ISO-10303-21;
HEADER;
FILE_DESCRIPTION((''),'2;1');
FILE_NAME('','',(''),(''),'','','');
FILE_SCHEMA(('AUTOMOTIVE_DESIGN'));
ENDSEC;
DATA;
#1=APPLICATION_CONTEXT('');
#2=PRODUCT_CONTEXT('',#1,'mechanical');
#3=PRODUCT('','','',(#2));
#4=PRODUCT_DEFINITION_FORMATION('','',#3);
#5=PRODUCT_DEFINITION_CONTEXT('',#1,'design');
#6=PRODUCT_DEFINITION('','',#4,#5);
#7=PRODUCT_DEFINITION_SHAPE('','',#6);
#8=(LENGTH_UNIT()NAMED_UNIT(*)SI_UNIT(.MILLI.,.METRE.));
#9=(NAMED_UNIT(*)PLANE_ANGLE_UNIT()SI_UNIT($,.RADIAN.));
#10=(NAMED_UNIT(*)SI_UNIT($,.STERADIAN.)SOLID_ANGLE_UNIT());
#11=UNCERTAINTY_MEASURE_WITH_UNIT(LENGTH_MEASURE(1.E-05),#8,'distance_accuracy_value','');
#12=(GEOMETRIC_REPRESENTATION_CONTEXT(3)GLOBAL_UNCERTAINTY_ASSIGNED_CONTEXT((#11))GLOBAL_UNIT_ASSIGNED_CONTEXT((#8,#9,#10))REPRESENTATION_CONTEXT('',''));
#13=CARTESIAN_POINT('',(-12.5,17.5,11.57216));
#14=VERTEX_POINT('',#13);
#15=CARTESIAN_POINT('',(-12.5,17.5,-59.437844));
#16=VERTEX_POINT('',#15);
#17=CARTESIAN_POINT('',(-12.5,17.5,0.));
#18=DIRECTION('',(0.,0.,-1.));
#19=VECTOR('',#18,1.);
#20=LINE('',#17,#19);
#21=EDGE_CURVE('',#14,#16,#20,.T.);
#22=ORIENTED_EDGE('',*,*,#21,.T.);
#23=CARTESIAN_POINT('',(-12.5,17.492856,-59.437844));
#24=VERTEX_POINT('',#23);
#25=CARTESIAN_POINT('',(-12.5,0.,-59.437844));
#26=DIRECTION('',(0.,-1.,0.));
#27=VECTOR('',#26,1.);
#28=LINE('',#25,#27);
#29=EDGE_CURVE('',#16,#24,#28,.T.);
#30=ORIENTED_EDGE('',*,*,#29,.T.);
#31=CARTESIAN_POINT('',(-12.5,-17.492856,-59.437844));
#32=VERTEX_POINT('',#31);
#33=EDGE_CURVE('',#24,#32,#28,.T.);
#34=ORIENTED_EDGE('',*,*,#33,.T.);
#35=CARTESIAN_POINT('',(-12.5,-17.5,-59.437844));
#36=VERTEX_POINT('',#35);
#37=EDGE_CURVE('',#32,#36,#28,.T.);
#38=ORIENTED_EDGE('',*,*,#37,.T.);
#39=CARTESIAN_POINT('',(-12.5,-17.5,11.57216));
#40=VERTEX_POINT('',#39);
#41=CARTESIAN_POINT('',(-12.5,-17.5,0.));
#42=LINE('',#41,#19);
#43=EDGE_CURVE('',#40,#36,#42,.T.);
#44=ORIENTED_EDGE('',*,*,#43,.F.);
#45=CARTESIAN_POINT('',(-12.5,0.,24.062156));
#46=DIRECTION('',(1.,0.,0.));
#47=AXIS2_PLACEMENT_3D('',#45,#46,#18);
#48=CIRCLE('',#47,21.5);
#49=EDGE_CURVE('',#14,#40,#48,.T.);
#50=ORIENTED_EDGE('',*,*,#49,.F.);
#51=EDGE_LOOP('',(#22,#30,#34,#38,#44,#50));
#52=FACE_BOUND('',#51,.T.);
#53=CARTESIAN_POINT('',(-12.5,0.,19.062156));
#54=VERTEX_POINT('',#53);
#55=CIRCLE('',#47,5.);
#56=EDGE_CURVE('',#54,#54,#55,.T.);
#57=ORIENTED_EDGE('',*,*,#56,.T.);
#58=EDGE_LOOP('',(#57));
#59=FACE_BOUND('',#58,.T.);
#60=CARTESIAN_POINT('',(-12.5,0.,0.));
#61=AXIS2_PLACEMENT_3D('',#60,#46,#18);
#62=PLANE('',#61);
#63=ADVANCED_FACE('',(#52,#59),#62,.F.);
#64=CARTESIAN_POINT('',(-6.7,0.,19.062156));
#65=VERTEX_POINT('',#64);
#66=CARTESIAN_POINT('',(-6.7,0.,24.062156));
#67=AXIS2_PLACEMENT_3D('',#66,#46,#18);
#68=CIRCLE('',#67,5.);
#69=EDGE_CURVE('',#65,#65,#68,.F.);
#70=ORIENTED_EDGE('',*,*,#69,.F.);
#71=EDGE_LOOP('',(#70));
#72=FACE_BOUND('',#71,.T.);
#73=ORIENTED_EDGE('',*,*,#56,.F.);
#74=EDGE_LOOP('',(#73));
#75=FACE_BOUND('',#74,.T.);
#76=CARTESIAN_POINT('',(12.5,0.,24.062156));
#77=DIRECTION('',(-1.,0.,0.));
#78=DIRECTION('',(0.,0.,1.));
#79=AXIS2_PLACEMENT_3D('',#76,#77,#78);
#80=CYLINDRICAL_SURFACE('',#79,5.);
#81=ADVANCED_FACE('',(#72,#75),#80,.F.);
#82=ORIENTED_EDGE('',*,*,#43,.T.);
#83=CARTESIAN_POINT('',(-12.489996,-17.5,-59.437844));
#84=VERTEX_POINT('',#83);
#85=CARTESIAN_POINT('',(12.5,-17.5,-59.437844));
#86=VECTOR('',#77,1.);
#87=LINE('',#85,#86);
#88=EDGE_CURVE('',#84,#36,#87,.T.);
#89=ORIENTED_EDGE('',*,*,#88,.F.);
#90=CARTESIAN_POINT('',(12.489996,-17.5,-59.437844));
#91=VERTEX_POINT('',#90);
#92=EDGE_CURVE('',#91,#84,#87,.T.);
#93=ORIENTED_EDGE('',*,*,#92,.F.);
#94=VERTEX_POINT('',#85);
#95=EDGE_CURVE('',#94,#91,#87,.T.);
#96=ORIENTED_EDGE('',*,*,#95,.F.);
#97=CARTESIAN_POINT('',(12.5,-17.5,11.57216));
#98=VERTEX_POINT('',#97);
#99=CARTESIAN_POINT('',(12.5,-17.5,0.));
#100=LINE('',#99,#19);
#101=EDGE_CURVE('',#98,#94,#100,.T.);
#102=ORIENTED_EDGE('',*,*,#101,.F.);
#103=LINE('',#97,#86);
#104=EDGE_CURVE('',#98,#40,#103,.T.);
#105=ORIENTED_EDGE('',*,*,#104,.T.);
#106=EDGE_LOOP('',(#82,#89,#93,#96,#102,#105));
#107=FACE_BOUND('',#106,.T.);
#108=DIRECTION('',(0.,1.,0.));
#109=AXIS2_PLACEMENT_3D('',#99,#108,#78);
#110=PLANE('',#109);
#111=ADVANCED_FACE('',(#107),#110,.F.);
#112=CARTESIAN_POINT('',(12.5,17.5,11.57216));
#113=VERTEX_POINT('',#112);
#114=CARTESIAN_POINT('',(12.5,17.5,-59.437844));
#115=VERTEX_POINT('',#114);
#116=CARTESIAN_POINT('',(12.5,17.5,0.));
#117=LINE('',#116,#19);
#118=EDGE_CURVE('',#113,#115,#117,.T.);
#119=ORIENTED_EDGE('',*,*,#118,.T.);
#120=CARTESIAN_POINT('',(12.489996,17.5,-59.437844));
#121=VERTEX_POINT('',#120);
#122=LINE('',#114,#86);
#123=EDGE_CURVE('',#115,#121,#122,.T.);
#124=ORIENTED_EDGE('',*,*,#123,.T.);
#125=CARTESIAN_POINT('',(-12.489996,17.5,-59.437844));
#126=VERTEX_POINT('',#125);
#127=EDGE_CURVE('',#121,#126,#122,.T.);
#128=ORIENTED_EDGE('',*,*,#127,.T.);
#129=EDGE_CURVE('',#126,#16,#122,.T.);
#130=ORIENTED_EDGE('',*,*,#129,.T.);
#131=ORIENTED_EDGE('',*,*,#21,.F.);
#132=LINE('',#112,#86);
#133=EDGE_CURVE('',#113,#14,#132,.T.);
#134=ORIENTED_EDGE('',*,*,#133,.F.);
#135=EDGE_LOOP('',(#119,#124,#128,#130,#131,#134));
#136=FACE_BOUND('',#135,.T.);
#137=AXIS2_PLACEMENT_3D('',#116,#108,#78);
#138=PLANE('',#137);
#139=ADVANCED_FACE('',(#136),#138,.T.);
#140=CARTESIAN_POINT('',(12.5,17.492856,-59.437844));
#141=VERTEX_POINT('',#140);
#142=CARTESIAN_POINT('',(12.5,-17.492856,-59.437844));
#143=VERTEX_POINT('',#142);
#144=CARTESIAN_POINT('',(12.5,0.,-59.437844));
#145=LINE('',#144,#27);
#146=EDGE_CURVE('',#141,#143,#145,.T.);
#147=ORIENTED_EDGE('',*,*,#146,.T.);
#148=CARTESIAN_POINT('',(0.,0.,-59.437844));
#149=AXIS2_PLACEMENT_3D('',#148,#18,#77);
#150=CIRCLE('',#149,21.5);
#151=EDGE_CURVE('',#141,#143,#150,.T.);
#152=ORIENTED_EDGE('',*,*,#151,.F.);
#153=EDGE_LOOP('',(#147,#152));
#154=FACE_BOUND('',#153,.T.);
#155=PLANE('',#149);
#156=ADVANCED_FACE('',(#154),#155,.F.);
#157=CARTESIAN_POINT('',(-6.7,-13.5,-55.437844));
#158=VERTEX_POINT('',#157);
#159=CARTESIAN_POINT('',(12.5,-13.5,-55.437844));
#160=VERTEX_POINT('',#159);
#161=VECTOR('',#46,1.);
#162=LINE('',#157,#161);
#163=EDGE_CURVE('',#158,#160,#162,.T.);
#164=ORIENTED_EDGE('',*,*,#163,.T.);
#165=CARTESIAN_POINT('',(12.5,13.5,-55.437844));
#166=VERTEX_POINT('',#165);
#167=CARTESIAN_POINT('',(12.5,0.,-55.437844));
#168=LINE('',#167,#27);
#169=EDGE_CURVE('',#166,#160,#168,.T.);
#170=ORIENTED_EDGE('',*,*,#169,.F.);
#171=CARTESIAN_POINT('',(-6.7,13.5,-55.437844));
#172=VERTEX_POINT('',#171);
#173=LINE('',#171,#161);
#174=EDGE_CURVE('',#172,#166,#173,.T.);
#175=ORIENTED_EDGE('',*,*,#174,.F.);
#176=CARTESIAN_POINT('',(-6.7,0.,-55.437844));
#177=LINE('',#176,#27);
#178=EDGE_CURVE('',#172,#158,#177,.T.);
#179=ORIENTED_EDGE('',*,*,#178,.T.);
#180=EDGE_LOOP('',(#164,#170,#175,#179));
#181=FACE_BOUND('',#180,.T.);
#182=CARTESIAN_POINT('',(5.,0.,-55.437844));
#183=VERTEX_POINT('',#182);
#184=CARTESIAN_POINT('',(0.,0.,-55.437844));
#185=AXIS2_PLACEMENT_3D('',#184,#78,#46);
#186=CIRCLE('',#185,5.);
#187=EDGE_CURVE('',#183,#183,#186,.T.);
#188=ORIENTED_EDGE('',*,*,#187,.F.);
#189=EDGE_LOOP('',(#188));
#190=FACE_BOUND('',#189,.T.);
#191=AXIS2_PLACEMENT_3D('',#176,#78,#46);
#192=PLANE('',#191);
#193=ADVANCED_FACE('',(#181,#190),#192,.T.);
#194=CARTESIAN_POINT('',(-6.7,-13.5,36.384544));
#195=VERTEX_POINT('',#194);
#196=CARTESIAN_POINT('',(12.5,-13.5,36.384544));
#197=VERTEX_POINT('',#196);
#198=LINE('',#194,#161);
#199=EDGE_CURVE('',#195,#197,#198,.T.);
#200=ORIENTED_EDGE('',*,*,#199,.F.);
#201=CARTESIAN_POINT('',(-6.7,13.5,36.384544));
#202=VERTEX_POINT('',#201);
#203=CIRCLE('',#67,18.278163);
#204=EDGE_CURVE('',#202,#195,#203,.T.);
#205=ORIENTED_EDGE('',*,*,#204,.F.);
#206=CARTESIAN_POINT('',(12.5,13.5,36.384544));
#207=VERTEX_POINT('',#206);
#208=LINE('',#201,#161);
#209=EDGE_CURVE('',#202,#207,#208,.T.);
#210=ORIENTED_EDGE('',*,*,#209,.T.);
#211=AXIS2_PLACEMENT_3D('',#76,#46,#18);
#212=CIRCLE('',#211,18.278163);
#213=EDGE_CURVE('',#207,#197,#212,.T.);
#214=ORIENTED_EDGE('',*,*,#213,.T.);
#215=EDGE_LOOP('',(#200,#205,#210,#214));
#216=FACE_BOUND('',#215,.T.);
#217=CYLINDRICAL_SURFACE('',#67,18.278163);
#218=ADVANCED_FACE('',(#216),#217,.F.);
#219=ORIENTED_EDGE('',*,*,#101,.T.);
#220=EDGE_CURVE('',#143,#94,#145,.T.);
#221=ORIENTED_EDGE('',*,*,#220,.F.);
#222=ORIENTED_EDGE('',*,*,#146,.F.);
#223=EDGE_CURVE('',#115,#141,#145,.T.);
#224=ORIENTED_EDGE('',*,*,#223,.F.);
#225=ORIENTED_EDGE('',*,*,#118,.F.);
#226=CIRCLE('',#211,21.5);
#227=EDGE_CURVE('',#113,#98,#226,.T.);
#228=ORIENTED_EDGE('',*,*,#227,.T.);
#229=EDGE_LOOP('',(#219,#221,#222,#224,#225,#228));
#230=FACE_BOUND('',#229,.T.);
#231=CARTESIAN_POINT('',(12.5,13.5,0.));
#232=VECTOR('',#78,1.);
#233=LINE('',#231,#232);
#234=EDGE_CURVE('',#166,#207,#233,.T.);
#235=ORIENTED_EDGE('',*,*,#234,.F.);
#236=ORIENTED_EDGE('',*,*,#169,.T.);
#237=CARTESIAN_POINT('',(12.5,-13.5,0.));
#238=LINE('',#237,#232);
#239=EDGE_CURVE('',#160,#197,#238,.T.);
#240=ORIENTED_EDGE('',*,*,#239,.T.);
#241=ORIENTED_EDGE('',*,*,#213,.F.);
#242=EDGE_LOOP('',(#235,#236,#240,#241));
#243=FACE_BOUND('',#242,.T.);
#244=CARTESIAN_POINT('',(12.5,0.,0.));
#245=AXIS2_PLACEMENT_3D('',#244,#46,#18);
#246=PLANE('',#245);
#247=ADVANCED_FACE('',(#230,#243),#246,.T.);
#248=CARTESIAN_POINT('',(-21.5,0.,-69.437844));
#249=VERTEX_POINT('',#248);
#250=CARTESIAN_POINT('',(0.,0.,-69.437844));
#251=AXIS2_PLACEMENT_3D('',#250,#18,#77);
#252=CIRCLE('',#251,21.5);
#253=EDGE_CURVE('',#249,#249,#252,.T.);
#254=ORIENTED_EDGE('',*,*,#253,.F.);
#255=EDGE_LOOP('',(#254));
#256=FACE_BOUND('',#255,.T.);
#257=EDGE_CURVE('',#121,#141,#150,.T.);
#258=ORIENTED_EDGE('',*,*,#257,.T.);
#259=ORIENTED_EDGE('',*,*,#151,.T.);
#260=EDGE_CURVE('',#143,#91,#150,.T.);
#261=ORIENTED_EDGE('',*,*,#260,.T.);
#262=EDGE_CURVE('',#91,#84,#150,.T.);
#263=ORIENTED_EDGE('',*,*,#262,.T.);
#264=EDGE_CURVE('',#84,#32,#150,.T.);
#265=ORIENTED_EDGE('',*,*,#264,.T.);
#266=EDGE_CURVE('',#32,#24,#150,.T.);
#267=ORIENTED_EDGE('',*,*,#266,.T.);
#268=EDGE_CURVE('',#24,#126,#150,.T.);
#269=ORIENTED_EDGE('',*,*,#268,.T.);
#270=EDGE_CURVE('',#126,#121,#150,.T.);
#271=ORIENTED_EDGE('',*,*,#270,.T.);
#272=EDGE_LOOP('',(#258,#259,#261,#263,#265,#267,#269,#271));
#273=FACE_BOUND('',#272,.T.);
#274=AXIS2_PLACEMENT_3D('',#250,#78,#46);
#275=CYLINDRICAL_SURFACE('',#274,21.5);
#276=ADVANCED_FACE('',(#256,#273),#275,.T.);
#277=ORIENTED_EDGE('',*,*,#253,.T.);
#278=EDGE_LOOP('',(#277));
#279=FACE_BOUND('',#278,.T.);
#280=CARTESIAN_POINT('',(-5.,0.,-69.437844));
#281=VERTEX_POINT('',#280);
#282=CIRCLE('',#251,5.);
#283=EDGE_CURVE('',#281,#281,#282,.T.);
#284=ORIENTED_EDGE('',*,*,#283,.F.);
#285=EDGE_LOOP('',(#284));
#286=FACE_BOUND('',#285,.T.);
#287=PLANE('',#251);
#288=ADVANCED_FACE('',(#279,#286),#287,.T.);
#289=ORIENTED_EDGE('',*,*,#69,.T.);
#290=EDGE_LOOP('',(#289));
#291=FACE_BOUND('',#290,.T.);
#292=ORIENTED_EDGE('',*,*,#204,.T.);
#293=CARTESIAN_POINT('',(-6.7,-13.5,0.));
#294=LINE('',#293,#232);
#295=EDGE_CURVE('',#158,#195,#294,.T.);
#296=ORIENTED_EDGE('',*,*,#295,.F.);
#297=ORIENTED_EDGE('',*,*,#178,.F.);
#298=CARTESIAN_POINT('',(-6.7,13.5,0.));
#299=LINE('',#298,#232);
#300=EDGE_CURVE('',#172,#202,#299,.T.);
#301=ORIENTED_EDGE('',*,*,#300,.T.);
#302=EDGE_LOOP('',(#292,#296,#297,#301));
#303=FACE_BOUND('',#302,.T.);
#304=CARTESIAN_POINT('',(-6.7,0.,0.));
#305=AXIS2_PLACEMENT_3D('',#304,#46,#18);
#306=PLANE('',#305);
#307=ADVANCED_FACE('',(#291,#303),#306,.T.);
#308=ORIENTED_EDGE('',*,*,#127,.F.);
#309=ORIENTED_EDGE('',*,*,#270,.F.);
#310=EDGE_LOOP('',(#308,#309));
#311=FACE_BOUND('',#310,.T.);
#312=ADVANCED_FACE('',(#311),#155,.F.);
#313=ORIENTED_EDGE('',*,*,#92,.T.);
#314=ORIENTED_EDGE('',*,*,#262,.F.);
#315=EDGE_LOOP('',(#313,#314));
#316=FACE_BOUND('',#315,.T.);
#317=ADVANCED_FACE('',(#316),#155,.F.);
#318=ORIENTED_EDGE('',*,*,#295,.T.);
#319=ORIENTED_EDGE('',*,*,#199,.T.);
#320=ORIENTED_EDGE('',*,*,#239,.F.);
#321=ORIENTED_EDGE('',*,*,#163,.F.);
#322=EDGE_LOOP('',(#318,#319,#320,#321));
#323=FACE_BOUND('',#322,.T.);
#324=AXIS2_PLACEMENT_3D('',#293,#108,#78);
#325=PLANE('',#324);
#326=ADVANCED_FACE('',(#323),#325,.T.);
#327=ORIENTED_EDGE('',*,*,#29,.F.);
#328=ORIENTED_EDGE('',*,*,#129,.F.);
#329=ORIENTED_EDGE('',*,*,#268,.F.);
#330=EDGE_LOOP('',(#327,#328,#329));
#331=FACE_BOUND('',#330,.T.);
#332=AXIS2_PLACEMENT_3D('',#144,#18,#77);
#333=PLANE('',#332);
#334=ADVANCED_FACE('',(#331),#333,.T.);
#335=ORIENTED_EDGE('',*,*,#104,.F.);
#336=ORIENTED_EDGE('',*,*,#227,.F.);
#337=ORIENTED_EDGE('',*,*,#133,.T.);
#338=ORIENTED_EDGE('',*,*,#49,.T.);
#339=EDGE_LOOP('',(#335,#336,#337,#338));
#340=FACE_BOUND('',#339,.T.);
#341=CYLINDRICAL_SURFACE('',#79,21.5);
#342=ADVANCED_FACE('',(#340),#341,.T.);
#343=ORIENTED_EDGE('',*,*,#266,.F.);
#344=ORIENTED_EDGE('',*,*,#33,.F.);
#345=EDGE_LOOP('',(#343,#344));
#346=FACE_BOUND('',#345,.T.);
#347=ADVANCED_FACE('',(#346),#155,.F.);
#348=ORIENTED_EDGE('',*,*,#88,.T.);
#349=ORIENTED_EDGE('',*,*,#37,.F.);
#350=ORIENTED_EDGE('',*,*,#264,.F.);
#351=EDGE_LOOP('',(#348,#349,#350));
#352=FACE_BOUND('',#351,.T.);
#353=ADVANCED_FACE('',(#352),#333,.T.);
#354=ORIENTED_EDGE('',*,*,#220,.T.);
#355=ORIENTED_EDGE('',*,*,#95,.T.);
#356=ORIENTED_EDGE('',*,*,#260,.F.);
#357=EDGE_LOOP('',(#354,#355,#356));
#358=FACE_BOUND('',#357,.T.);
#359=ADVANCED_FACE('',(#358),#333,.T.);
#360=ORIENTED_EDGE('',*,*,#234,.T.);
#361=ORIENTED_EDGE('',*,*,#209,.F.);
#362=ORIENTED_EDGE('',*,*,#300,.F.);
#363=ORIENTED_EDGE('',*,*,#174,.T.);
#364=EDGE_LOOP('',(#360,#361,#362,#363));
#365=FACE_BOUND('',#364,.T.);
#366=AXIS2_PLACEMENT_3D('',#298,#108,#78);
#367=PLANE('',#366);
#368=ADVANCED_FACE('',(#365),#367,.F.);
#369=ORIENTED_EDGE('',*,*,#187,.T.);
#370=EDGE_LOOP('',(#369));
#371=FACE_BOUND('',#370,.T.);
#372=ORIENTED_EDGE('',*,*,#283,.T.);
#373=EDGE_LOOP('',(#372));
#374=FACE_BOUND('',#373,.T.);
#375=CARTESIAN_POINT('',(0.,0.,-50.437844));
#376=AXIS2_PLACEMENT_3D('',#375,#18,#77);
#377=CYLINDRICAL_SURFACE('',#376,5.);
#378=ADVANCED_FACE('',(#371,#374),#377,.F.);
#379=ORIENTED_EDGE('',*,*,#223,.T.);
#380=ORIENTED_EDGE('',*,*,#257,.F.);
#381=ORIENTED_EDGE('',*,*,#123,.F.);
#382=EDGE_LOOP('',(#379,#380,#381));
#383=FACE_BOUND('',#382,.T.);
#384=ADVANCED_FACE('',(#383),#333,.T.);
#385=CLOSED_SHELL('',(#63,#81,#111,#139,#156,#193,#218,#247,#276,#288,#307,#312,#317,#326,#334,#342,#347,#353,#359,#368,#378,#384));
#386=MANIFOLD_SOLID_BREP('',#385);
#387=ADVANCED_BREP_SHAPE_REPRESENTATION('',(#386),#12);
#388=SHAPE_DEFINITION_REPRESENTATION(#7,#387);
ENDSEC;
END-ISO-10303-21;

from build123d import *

# Parameters (mm, degrees)
CROQUIS2_R              = 21.5
CROQUIS2_R_2            = 5
CROQUIS2_W              = 71.010004003
CROQUIS2_H              = 35
SALIENTE_EXTRUIR1_DEPTH = 12.5
CORTAR_EXTRUIR1_DEPTH   = 19.2
CROQUIS4_R              = 21.5
SALIENTE_EXTRUIR2_DEPTH = 10
CROQUIS5_R              = 5
CORTAR_EXTRUIR3_DEPTH   = 19


with BuildPart() as part:
    # Croquis2 → Saliente-Extruir1 (new, symmetric)
    # profile 1 of 2: a face of its own
    with BuildSketch(Plane(origin=(0, 0, 0), x_dir=(0, 0, -1), z_dir=(1, 0, 0))):
        with Locations((-24.062155912, 0)):
            Circle(CROQUIS2_R)
        with Locations((-24.062155912, 0)):
            Circle(CROQUIS2_R_2, mode=Mode.SUBTRACT)
    # profile 2 of 2: a face of its own
    with BuildSketch(Plane(origin=(0, 0, 0), x_dir=(0, 0, -1), z_dir=(1, 0, 0))):
        with Locations((23.932842087, 0)):
            Rectangle(CROQUIS2_W, CROQUIS2_H)
    extrude(amount=SALIENTE_EXTRUIR1_DEPTH, both=True)

    # Croquis3 → Cortar-Extruir1 (cut)
    with BuildSketch(Plane(origin=(12.5, 0, 0), x_dir=(0, 0, -1), z_dir=(1, 0, 0))):
        with BuildLine():
            Line((55.437844088, -13.5), (55.437844088, 13.5))
            Line((55.437844088, 13.5), (-11.739767465, 13.5))
            ThreePointArc((-11.739767465, 13.5), (-7.339089709, 7.377690276), (-5.783992518, 0))
            ThreePointArc((-5.783992518, 0), (-7.339089709, -7.377690276), (-11.739767465, -13.5))
            Line((-11.739767465, -13.5), (55.437844088, -13.5))
        make_face()
        with BuildLine():
            ThreePointArc((-5.783992518, 0), (-7.339089709, 7.377690276), (-11.739767465, 13.5))
            Line((-11.739767465, 13.5), (-36.384544359, 13.5))
            Line((-36.384544359, 13.5), (-36.384544359, -13.5))
            Line((-36.384544359, -13.5), (-11.739767465, -13.5))
            ThreePointArc((-11.739767465, -13.5), (-7.339089709, -7.377690276), (-5.783992518, 0))
        make_face()
        with BuildLine():
            Line((-36.384544359, -13.5), (-36.384544359, 13.5))
            ThreePointArc((-36.384544359, 13.5), (-42.340319305, 0), (-36.384544359, -13.5))
        make_face()
    extrude(amount=-CORTAR_EXTRUIR1_DEPTH, mode=Mode.SUBTRACT)

    # Croquis4 → Saliente-Extruir2 (add)
    with BuildSketch(Plane(origin=(0, 0, -59.437844088), x_dir=(-1, 0, 0), z_dir=(0, 0, -1))):
        with Locations(Location((0, 0, 0), (0, 0, 125.548744003))):
            Circle(CROQUIS4_R)
    extrude(amount=SALIENTE_EXTRUIR2_DEPTH)

    # Croquis5 → Cortar-Extruir3 (cut)
    with BuildSketch(Plane(origin=(0, 0, -69.437844088), x_dir=(-1, 0, 0), z_dir=(0, 0, -1))):
        Circle(CROQUIS5_R)
    extrude(amount=-CORTAR_EXTRUIR3_DEPTH, mode=Mode.SUBTRACT)


solid = part.part
